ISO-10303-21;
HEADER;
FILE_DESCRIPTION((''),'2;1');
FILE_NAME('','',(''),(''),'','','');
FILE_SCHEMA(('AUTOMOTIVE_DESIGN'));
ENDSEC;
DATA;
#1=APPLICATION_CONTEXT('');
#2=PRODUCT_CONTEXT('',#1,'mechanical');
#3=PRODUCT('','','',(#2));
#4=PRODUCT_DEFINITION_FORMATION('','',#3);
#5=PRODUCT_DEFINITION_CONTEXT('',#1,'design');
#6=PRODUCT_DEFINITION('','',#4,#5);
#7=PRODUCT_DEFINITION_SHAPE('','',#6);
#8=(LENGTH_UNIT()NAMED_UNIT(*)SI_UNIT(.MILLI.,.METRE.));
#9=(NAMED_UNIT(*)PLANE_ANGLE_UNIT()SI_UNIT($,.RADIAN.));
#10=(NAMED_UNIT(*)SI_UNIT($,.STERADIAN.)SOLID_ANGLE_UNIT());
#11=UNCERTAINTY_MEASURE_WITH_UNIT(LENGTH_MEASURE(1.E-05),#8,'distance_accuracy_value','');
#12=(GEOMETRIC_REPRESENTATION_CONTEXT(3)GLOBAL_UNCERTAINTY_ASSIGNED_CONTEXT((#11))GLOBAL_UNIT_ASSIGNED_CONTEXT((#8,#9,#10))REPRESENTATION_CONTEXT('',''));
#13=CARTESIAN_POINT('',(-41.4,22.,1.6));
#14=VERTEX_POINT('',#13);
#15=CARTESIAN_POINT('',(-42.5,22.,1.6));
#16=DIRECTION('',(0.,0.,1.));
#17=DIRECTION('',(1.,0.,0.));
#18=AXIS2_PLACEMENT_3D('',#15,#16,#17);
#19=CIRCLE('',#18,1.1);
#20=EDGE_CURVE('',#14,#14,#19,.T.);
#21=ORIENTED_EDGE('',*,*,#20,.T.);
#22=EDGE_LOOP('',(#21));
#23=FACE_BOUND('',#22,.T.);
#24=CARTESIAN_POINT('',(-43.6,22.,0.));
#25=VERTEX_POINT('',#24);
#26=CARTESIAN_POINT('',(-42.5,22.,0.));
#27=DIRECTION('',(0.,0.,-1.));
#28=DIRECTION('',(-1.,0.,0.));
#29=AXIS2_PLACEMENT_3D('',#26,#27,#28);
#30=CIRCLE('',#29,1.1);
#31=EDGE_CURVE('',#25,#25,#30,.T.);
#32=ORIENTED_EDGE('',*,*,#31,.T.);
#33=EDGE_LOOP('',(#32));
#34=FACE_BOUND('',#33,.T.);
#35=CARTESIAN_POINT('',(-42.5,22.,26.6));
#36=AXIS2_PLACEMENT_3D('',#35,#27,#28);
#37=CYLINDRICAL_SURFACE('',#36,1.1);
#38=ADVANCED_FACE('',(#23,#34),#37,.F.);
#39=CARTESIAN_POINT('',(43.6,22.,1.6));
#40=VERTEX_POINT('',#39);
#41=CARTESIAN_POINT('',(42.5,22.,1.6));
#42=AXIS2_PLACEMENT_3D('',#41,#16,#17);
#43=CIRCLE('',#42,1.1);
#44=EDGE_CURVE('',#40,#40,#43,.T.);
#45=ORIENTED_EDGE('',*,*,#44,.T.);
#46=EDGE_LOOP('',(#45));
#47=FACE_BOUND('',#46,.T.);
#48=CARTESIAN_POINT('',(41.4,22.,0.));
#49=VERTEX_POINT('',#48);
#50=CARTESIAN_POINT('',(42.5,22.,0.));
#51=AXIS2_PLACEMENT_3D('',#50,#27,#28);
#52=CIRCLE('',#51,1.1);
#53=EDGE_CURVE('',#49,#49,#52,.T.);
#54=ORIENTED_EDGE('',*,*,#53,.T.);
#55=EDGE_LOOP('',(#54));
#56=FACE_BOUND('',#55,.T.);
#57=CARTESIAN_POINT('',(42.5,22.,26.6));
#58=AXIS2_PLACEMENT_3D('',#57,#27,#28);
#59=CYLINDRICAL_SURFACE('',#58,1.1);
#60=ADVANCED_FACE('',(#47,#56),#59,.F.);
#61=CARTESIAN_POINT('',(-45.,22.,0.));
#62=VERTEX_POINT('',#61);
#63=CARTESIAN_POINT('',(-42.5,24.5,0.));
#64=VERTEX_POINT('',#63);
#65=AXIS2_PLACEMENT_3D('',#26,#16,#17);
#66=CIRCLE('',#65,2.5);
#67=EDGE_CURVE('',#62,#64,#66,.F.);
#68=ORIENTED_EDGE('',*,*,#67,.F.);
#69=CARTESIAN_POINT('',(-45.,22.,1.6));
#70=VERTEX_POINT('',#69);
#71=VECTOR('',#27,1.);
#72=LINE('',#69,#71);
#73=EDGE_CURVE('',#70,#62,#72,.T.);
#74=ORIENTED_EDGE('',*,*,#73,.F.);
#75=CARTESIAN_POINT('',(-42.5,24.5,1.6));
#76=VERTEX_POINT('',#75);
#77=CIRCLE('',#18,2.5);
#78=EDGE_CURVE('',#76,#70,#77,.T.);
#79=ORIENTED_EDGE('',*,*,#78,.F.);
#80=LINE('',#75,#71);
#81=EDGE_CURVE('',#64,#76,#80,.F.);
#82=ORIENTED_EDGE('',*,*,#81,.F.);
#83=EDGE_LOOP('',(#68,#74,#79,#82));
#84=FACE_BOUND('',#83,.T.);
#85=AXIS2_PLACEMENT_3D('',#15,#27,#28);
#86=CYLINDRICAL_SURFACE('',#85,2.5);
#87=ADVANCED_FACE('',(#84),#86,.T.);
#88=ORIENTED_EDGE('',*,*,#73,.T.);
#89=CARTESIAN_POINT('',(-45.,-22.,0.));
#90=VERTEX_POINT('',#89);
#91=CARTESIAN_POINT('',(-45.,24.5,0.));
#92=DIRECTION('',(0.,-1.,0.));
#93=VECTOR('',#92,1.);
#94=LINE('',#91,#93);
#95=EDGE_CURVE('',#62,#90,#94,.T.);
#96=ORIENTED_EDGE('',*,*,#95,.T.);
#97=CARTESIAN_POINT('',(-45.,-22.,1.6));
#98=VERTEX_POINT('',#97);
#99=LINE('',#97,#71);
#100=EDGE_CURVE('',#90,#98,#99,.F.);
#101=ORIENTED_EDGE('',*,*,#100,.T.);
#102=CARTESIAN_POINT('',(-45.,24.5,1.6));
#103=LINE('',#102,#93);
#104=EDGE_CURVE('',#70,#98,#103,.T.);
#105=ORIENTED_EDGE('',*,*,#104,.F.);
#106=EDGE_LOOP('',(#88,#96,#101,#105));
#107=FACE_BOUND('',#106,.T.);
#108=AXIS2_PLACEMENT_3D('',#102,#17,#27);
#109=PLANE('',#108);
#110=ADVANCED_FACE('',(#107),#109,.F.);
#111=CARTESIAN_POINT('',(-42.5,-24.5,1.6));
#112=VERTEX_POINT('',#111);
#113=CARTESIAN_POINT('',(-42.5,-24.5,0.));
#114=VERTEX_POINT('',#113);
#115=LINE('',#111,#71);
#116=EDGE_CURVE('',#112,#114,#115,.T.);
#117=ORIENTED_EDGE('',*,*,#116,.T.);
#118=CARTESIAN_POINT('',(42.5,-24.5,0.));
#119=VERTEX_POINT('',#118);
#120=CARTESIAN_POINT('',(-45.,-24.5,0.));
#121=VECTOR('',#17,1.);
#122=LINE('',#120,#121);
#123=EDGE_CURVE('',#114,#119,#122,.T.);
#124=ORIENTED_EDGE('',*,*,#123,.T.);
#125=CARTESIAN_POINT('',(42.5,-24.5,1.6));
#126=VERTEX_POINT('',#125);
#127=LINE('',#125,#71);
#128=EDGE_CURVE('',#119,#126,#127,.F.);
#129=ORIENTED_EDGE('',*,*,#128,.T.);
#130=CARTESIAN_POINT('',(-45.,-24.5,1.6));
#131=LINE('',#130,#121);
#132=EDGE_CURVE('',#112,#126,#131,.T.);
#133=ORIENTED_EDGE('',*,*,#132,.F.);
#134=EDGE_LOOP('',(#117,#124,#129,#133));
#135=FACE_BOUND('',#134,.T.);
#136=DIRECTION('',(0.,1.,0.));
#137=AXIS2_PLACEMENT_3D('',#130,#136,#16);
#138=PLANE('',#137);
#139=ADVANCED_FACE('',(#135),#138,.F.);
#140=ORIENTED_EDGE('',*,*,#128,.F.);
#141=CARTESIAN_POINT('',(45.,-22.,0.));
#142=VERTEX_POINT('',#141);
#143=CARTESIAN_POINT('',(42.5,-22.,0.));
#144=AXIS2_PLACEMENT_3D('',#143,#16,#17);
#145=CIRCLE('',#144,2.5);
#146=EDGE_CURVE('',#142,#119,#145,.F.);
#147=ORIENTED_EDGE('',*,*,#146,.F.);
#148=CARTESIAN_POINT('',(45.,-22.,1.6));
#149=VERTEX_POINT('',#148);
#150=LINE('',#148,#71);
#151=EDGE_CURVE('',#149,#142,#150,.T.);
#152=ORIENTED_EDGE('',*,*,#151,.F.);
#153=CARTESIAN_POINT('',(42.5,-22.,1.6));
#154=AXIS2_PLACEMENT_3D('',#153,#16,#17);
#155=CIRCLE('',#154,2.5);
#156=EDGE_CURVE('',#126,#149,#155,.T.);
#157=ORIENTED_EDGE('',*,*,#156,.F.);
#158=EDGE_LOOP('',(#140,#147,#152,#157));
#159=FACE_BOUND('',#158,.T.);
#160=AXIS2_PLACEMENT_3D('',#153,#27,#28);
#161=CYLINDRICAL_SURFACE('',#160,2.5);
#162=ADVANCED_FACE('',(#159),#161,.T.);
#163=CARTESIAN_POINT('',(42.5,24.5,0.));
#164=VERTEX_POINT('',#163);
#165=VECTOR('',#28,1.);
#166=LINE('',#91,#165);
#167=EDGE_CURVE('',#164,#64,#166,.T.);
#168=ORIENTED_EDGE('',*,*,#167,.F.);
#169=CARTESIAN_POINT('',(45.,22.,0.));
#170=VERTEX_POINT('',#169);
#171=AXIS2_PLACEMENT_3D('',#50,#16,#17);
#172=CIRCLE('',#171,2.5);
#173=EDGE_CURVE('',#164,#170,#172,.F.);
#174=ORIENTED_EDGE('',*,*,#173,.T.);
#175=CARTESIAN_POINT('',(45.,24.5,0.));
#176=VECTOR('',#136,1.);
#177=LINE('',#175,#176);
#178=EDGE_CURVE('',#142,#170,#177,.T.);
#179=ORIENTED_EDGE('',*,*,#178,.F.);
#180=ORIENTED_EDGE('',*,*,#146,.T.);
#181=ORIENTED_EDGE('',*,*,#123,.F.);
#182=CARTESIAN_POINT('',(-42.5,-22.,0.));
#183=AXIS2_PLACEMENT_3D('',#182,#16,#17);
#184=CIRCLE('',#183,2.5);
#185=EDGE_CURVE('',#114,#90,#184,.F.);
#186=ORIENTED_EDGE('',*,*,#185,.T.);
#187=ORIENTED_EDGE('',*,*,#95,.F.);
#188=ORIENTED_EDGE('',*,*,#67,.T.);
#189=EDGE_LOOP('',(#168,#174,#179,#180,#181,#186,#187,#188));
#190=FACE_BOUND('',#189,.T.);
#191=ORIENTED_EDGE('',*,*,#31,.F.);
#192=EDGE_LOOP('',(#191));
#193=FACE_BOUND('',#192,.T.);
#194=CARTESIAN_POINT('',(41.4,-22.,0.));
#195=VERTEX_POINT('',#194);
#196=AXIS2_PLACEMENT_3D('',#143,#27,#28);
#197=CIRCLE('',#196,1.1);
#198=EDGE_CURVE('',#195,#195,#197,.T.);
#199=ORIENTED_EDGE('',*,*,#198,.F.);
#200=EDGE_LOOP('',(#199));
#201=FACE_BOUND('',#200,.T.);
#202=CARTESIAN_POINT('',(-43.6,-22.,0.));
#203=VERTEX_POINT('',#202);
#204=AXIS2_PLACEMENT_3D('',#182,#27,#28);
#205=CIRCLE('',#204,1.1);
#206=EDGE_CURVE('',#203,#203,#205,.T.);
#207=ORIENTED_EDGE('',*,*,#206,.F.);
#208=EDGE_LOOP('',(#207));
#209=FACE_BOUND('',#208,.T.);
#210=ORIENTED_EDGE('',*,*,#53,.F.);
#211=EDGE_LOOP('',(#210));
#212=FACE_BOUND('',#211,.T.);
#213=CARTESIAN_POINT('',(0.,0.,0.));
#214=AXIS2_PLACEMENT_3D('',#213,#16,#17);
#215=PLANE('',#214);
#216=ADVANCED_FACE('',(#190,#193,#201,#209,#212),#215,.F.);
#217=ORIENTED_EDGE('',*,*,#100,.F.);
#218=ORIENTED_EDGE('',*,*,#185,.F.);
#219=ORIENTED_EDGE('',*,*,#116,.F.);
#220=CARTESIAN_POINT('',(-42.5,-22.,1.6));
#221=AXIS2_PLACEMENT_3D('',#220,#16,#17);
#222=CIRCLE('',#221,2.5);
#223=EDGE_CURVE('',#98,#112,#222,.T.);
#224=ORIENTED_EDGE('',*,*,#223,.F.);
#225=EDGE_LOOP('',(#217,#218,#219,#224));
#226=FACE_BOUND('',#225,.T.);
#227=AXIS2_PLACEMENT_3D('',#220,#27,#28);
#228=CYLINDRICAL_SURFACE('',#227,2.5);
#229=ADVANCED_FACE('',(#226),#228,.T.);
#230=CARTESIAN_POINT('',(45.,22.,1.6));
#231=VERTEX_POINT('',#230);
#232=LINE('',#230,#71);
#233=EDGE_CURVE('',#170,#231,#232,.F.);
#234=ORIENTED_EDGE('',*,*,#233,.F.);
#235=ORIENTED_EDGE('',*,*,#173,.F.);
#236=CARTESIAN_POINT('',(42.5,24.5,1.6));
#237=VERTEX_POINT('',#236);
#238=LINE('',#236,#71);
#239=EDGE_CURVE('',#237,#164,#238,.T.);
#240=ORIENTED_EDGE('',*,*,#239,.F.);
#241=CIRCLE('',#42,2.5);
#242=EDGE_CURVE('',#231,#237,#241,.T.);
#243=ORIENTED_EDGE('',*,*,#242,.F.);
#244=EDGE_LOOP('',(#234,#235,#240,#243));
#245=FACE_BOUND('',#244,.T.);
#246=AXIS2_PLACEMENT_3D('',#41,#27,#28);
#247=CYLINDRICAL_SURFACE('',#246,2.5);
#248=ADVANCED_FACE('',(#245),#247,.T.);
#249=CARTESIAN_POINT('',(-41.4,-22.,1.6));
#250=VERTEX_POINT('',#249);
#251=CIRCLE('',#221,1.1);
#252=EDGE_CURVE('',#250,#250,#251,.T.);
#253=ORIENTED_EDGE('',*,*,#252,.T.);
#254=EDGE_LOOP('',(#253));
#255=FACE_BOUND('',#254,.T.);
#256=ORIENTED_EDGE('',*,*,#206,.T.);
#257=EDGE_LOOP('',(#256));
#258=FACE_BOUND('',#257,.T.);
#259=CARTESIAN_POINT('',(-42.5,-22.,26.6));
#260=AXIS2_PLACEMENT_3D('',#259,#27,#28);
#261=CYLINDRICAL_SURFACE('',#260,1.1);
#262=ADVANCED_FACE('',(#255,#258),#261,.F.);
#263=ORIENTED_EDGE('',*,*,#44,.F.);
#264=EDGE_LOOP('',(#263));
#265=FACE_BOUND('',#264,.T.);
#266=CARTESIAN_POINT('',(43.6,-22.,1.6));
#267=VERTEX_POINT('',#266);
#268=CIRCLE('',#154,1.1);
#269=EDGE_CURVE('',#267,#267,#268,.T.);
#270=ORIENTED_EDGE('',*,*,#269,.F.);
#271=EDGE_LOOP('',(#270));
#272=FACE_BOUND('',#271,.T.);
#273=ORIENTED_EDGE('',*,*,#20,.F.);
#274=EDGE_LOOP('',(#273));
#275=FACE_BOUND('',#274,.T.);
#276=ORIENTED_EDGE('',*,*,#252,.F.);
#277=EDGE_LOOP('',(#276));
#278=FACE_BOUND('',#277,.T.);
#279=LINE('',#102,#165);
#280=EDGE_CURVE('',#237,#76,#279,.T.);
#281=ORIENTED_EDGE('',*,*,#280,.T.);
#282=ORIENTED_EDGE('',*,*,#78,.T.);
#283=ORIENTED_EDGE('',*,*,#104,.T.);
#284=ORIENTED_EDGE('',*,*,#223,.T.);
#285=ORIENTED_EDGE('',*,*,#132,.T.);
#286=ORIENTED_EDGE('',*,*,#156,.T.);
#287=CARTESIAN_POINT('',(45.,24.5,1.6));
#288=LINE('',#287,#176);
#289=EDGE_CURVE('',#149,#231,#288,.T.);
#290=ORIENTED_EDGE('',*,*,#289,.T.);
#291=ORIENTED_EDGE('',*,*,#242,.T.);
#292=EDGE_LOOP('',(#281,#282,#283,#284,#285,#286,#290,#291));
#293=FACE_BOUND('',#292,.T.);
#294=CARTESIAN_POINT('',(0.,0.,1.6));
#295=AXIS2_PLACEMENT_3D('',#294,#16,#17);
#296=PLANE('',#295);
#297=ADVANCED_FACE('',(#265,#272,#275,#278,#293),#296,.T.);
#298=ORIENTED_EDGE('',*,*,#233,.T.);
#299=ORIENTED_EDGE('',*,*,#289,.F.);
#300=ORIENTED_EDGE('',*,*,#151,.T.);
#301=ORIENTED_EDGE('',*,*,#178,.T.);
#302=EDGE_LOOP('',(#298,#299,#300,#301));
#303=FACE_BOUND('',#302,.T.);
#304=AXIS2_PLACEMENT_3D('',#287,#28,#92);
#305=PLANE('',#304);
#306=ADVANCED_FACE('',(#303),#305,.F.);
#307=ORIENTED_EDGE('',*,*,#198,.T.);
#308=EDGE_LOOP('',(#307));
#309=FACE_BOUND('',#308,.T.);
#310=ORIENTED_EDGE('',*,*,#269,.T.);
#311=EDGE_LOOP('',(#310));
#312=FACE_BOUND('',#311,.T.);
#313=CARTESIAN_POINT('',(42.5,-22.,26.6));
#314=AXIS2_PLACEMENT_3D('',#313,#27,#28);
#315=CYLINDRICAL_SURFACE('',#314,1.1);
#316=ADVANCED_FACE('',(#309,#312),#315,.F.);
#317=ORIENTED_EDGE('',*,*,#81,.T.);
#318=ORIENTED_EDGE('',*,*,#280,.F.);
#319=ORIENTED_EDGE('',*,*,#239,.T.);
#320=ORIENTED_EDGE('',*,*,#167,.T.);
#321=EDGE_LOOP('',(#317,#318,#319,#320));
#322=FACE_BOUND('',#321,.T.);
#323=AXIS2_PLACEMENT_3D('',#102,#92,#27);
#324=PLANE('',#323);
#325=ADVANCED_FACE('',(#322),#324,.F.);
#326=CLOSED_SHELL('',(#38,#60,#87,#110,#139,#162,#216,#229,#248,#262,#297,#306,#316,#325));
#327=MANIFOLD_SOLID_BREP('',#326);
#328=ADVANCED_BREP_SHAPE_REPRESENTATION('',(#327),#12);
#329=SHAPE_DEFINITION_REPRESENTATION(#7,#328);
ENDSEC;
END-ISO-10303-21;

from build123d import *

# Parameters (mm, degrees)
SKETCH_1_W          = 90
SKETCH_1_H          = 49
EXTRUDE_1_DEPTH     = 1.6
FILLET_1_R          = 2.5
SKETCH_2_R          = 1.1
CUT_EXTRUDE_1_DEPTH = 26.6


with BuildPart() as part:
    # 草图1 → 凸台-拉伸1 (new body)
    with BuildSketch(Plane.XY):
        Rectangle(SKETCH_1_W, SKETCH_1_H)
    extrude(amount=EXTRUDE_1_DEPTH)

    # 圆角1
    fillet_1_edges = [part.edges().sort_by_distance(p)[0] for p in [
        (45, -24.5, 0.8),
        (-45, -24.5, 0.8),
        (-45, 24.5, 0.8),
        (45, 24.5, 0.8),
    ]]
    fillet(fillet_1_edges, radius=FILLET_1_R)

    # 草图2 → 切除-拉伸1 (cut)
    with BuildSketch(Plane(origin=(0, 0, 0), x_dir=(-1, 0, 0), z_dir=(0, 0, -1))):
        with Locations((-42.5, -22)):
            Circle(SKETCH_2_R)
        with Locations((-42.5, 22)):
            Circle(SKETCH_2_R)
        with Locations((42.5, 22)):
            Circle(SKETCH_2_R)
        with Locations((42.5, -22)):
            Circle(SKETCH_2_R)
    extrude(amount=-CUT_EXTRUDE_1_DEPTH, mode=Mode.SUBTRACT)


solid = part.part
